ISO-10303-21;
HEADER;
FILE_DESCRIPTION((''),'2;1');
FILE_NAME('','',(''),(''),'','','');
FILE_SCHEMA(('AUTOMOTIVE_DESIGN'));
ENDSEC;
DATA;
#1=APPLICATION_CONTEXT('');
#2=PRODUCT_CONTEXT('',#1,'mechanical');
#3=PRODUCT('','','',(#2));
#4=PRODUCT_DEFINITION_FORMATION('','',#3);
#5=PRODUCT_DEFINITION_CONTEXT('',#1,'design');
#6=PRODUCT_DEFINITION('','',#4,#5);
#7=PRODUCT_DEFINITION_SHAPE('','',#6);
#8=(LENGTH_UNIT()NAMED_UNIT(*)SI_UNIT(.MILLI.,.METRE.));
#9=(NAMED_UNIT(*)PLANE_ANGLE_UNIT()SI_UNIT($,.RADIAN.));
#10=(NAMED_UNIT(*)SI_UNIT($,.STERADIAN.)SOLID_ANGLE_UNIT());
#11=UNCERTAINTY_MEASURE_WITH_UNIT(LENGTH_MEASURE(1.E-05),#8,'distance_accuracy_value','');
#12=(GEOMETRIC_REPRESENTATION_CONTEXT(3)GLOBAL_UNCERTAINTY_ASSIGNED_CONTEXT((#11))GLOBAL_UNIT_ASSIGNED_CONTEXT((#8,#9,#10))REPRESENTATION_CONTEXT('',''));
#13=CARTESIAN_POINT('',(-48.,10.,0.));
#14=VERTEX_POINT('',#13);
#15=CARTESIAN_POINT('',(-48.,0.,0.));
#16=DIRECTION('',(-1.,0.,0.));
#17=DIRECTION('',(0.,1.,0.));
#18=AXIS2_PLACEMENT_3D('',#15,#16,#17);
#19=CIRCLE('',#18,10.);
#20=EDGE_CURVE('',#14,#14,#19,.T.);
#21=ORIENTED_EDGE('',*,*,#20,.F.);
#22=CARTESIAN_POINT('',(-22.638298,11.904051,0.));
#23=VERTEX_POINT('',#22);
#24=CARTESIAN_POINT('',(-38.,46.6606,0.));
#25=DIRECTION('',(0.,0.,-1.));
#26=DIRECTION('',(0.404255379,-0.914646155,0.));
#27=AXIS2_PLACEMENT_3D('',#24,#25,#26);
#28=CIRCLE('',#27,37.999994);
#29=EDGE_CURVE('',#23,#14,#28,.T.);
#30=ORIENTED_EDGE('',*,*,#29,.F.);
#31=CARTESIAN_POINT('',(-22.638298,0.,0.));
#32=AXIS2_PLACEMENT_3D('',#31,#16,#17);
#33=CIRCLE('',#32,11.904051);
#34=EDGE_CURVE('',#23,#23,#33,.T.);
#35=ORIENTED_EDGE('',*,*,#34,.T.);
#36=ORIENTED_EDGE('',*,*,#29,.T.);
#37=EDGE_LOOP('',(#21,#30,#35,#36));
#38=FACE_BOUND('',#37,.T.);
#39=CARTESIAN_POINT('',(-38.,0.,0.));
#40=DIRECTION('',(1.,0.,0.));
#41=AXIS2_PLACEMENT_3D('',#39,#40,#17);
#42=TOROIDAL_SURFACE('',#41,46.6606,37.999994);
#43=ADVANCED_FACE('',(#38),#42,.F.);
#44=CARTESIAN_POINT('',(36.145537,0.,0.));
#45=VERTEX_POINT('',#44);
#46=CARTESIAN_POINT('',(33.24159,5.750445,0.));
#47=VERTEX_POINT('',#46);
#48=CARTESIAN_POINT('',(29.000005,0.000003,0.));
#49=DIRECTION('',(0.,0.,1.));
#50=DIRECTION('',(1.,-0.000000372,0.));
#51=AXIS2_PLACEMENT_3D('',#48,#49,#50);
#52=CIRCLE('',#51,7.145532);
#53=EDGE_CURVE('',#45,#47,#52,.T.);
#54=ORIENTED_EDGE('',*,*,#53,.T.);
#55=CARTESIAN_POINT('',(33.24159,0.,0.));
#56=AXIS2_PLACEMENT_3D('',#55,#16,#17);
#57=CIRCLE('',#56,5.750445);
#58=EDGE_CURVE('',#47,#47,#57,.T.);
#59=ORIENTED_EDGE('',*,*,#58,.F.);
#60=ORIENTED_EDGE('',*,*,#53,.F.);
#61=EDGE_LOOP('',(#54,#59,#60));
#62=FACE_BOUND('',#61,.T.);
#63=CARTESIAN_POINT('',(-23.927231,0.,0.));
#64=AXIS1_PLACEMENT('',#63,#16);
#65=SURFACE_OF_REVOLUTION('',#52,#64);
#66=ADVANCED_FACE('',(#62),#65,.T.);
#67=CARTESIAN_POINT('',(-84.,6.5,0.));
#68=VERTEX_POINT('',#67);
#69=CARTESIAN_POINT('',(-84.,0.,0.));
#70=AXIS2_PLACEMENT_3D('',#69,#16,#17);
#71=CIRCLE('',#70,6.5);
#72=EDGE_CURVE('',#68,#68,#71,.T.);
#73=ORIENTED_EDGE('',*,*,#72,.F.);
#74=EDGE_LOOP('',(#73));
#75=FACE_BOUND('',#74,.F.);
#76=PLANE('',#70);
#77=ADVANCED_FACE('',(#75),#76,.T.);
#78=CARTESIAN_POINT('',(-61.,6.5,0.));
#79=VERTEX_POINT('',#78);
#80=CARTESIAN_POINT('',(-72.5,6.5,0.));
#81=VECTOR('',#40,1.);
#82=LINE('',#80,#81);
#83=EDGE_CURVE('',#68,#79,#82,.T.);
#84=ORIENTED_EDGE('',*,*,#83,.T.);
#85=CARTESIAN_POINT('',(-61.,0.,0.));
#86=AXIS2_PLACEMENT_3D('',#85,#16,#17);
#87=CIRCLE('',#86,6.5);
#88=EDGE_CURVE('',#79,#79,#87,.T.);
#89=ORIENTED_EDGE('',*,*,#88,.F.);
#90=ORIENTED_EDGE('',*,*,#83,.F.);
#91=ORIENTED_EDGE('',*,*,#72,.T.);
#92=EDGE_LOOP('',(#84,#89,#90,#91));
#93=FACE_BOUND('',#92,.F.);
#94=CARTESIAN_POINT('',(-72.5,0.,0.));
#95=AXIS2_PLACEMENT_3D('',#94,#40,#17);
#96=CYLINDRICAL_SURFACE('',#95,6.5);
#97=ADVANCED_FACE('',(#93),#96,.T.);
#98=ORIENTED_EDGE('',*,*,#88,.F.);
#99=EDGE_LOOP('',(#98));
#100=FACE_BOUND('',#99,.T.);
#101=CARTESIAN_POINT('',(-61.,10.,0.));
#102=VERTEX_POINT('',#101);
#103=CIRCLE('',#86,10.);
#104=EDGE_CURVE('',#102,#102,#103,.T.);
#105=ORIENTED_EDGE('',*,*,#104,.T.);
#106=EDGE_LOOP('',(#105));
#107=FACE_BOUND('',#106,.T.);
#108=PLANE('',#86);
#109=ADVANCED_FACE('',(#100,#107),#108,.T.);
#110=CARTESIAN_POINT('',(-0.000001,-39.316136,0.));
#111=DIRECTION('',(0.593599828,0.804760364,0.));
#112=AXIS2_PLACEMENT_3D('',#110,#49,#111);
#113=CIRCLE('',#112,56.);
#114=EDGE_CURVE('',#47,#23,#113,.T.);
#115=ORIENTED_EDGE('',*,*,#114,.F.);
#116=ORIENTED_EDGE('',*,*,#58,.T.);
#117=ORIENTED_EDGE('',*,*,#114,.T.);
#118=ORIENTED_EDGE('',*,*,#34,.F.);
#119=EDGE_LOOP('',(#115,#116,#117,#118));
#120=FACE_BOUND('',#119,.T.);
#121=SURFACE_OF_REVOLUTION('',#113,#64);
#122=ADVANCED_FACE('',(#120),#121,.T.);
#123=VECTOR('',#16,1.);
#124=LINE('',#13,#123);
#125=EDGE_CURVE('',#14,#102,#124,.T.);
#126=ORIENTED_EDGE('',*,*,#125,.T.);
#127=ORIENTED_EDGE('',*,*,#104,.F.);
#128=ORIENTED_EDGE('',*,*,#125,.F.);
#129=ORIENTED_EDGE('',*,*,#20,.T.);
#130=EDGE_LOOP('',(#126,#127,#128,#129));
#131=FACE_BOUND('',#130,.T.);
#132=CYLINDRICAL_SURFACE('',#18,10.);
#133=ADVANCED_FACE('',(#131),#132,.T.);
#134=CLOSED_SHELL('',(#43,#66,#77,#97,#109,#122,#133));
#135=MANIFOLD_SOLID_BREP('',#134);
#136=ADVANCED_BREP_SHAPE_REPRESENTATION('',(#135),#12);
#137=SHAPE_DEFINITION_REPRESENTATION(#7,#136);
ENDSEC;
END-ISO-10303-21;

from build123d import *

# Parameters (mm, degrees)
F0_W = 23
F0_H = 6.5


with BuildPart() as f1:
    # F0 (on Top) → F1 (revolve)
    with BuildSketch(Plane.XY):
        with BuildLine():
            Line((-48, 10), (-48, 0))
            Line((-48, 0), (36.145537, 0))
            ThreePointArc((36.145537, 0), (35.378368, 3.221045), (33.24159, 5.750445))
            ThreePointArc((33.24159, 5.750445), (6.129777, 16.34737), (-22.638298, 11.904051))
            ThreePointArc((-22.638298, 11.904051), (-35.155125, 8.767246), (-48, 10))
        make_face()
        Polygon((-61, 10), (-61, 6.5), (-61, 0), (-48, 0), (-48, 10), align=None)
        with Locations((-72.5, 3.25)):
            Rectangle(F0_W, F0_H)
    revolve(axis=Axis((-23.927231, 0, 0), (-1, 0, 0)))


solid = f1.part
